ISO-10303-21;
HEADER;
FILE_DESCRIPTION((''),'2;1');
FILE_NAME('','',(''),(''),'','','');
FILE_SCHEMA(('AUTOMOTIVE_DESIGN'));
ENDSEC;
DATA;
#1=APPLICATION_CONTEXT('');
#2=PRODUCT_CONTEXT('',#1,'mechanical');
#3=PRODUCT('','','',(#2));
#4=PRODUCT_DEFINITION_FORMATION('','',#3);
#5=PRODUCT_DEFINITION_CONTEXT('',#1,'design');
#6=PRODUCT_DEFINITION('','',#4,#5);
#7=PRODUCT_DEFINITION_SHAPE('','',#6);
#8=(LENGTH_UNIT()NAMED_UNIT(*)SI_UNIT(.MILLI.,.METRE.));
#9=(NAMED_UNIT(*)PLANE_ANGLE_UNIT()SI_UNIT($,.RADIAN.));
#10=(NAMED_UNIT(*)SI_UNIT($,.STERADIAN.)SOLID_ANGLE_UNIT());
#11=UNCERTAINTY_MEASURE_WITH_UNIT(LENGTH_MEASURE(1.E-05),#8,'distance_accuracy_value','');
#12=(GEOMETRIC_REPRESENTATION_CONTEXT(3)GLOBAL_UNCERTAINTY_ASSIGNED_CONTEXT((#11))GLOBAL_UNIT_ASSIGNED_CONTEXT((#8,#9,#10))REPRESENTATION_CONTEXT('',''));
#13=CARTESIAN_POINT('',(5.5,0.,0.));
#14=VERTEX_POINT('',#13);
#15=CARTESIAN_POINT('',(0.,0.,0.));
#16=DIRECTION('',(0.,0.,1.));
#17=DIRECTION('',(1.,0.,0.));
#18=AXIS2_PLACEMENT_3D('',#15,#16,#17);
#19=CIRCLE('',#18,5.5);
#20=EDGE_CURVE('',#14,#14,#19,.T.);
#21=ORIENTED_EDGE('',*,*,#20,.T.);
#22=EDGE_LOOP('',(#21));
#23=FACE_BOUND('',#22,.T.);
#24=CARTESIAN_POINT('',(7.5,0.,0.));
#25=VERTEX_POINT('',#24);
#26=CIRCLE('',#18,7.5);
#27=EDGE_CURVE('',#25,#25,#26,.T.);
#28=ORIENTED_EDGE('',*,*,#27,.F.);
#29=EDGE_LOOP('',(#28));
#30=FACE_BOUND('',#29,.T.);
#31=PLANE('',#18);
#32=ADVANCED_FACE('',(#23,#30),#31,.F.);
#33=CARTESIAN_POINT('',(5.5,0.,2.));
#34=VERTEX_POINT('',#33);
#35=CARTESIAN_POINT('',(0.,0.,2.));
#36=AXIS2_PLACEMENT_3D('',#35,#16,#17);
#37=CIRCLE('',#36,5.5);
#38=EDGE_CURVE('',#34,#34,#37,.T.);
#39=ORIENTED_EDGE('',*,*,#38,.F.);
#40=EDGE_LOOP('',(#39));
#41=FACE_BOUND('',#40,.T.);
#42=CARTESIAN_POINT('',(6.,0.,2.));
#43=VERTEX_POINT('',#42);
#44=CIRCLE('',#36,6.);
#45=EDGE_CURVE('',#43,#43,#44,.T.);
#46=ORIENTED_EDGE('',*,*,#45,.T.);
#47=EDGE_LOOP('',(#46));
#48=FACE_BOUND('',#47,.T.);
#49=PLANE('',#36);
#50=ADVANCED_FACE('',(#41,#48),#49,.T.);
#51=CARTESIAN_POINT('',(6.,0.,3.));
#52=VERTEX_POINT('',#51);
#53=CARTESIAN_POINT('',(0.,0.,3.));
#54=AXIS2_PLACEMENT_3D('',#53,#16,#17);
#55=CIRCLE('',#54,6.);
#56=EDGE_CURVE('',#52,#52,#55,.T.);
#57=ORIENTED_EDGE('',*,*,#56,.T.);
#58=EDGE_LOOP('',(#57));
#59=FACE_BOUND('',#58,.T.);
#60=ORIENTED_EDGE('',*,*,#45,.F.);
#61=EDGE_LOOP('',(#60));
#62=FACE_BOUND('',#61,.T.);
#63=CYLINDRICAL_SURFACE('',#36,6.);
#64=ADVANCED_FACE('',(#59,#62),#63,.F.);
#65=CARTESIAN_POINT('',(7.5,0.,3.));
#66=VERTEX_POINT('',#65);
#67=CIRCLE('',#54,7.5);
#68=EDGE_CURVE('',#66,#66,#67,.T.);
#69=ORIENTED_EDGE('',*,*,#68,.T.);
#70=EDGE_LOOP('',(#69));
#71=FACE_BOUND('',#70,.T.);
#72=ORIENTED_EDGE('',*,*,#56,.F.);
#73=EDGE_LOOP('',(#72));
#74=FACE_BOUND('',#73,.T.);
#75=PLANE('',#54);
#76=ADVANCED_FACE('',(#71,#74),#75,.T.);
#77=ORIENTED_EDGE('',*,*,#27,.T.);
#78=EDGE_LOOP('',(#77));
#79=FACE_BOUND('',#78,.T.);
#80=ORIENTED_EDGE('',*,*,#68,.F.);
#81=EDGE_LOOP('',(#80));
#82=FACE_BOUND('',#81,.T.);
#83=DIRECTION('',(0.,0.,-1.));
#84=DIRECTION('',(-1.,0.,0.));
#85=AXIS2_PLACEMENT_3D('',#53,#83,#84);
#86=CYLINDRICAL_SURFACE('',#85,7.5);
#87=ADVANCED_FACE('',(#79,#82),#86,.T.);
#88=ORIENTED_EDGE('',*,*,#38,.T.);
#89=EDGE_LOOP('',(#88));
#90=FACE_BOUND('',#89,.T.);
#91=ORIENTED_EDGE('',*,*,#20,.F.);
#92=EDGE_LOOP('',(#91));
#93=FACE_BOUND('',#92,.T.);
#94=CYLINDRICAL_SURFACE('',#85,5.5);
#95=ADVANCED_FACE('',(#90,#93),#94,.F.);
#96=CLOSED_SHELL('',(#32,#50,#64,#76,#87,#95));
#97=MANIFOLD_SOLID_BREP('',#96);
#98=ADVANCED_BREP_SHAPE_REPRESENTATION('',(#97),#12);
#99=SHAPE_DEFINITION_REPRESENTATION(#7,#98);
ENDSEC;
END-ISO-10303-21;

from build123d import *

# Parameters (mm, degrees)
ESQUISSE1_R             = 7.5
ESQUISSE1_R_2           = 5.5
BOSS_EXTRU_1_DEPTH      = 3
ESQUISSE2_R             = 6
ENL_V_MAT_EXTRU_1_DEPTH = 1


with BuildPart() as part:
    # Esquisse1 → Boss.-Extru.1 (new body)
    with BuildSketch(Plane.XY):
        Circle(ESQUISSE1_R)
        Circle(ESQUISSE1_R_2, mode=Mode.SUBTRACT)
    extrude(amount=BOSS_EXTRU_1_DEPTH)

    # Esquisse2 → Enlèv. mat.-Extru.1 (cut)
    with BuildSketch(Plane.XY.offset(3)):
        Circle(ESQUISSE2_R)
    extrude(amount=-ENL_V_MAT_EXTRU_1_DEPTH, mode=Mode.SUBTRACT)


solid = part.part
